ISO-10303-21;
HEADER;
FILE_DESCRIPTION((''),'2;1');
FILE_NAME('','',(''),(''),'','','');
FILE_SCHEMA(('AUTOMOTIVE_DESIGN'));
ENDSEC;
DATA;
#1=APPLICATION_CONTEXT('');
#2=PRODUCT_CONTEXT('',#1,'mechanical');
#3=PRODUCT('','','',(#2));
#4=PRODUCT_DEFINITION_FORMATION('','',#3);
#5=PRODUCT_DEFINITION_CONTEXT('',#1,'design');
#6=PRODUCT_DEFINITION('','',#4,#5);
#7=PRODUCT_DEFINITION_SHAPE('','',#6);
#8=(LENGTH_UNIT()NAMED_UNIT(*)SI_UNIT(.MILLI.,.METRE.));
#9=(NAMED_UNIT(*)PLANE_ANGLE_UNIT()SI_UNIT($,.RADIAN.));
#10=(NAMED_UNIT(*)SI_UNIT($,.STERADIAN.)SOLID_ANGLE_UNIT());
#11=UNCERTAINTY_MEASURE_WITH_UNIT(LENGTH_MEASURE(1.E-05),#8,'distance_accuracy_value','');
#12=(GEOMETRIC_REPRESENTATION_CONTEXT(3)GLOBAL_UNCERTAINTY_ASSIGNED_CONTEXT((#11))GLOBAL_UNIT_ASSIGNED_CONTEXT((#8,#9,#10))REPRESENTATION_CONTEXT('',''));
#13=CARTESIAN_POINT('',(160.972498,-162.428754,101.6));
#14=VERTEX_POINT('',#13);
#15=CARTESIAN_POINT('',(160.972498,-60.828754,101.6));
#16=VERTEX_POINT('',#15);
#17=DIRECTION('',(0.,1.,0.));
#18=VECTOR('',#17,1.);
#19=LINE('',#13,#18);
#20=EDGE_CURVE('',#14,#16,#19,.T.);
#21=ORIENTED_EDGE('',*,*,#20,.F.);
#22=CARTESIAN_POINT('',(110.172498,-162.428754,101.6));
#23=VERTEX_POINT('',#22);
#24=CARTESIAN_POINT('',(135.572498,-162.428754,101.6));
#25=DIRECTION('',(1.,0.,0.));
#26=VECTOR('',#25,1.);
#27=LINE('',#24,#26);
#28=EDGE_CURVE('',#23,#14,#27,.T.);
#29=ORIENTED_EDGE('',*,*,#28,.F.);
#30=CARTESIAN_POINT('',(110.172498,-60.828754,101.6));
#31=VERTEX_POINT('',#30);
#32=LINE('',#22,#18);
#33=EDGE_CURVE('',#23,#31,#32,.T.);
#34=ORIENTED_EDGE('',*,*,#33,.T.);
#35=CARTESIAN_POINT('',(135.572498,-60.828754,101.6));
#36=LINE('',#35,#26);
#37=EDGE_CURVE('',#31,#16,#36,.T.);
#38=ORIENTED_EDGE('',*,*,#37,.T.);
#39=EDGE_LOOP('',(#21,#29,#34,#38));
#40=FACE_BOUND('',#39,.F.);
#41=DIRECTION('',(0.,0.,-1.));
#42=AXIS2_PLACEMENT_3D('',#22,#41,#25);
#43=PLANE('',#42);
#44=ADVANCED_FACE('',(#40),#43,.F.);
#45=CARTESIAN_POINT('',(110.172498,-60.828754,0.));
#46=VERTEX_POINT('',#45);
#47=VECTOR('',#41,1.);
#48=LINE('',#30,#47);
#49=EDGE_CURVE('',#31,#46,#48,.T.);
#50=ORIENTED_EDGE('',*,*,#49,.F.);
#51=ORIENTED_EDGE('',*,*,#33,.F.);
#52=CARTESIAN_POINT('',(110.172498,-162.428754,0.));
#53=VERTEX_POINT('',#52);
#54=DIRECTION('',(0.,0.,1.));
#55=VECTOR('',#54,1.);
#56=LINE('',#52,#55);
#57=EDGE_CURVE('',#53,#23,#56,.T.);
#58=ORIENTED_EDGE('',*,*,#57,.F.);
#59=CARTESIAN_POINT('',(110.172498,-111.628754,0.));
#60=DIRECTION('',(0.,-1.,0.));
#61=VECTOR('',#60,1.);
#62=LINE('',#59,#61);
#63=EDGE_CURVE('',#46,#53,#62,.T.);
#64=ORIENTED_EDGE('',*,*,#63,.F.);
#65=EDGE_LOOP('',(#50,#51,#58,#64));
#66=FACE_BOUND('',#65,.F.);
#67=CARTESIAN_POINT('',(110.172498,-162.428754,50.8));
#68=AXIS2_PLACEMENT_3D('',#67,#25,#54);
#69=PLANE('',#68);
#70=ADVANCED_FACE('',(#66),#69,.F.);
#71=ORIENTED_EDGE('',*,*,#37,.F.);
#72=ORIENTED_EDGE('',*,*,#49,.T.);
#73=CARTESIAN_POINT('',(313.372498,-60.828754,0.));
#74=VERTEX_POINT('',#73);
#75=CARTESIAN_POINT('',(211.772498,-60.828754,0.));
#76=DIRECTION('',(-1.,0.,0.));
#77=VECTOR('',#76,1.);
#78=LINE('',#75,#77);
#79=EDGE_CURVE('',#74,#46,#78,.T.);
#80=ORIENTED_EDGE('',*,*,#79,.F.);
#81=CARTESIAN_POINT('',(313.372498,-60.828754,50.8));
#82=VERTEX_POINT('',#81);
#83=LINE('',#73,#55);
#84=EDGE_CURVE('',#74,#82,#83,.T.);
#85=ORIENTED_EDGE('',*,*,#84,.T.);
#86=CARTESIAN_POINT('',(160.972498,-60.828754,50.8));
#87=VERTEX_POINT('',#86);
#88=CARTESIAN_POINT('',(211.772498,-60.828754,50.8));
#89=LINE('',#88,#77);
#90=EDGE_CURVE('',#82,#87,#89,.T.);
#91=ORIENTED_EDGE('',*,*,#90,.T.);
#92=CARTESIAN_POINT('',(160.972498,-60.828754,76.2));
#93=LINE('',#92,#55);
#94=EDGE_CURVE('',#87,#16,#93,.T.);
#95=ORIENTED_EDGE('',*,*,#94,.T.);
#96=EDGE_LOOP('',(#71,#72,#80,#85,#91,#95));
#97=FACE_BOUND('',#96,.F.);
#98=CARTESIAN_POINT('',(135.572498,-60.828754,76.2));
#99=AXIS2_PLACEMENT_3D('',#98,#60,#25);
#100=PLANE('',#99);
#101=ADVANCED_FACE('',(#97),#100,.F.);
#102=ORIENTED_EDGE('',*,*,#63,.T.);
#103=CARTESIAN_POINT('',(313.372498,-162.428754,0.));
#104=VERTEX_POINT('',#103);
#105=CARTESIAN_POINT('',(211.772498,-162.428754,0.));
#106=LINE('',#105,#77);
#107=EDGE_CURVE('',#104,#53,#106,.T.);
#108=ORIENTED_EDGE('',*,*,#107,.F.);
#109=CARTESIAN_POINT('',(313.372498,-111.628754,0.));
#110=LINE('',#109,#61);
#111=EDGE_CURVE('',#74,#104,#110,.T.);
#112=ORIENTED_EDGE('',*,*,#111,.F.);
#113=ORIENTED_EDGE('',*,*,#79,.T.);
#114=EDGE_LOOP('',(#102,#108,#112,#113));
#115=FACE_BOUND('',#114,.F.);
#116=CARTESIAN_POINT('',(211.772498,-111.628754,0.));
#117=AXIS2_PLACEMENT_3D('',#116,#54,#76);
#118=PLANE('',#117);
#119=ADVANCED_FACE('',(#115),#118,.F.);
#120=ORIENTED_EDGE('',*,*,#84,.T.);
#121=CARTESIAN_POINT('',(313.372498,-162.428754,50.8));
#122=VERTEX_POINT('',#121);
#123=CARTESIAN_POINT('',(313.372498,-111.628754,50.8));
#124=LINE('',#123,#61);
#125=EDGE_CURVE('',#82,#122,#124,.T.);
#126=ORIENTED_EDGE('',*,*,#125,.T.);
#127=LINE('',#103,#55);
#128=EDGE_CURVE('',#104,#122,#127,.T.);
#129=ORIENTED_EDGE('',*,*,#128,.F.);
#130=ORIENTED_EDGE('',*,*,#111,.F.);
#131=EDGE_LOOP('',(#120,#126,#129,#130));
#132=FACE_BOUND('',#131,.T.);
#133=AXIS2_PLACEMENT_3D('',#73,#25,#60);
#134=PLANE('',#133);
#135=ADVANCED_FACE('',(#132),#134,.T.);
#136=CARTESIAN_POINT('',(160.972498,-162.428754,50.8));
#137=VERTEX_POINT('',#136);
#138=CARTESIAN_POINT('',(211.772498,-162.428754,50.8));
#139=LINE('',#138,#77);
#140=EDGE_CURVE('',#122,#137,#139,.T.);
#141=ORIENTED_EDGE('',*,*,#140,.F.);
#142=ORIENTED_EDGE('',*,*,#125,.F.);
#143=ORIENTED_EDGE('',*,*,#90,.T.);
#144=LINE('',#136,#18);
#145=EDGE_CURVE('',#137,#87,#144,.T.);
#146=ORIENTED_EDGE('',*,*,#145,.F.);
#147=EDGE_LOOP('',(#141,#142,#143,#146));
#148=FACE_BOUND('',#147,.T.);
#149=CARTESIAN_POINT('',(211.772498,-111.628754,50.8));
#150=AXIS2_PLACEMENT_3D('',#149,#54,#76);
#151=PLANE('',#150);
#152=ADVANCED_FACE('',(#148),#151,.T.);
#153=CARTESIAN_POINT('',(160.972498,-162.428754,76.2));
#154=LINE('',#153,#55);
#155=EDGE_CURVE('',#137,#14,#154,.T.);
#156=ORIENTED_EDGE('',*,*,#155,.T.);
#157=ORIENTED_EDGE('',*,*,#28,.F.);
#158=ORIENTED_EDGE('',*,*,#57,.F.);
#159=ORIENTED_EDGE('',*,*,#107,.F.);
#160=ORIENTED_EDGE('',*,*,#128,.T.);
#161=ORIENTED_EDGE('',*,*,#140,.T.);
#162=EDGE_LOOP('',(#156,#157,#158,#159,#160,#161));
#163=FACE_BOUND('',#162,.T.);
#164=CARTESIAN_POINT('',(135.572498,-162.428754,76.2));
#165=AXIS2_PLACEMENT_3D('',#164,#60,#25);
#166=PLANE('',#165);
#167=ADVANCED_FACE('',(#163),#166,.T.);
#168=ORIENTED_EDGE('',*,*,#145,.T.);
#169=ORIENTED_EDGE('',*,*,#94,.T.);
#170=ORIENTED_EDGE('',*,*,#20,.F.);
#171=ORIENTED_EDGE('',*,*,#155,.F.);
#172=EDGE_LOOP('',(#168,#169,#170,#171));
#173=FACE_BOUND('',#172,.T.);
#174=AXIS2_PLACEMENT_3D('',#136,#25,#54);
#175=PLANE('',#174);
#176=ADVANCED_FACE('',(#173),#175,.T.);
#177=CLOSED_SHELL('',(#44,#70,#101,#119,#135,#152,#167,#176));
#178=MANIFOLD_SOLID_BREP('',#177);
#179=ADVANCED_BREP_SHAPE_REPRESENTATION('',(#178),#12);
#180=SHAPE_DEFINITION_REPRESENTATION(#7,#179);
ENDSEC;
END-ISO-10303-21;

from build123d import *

# Parameters (mm, degrees)
F0_W     = 203.2
F0_H     = 101.6
F1_DEPTH = 50.8
F2_W     = 50.8
F2_H     = 50.8
F3_DEPTH = 101.6
F4_ANGLE = 180


with BuildPart() as f1:
    # F0 (on Top) → F1 (new body)
    with BuildSketch(Plane.XY):
        with Locations((8.5724983364, -10.0287537194)):
            Rectangle(F0_W, F0_H)
    extrude(amount=F1_DEPTH)

    # F2 (on face) → F3 (join)
    with BuildSketch(Plane(origin=(0, 40.7712462806, 0), x_dir=(-1, 0, 0), z_dir=(0, 1, 0))):
        with Locations((-84.7724983364, 76.2)):
            Rectangle(F2_W, F2_H)
    extrude(amount=-F3_DEPTH)


with BuildPart() as f1_1:
    # F4: moved
    add(f1.part.rotate(Axis((110.1724983364, -60.8287537194, 25.4), (0, 0, -1)), F4_ANGLE))


solid = f1_1.part
